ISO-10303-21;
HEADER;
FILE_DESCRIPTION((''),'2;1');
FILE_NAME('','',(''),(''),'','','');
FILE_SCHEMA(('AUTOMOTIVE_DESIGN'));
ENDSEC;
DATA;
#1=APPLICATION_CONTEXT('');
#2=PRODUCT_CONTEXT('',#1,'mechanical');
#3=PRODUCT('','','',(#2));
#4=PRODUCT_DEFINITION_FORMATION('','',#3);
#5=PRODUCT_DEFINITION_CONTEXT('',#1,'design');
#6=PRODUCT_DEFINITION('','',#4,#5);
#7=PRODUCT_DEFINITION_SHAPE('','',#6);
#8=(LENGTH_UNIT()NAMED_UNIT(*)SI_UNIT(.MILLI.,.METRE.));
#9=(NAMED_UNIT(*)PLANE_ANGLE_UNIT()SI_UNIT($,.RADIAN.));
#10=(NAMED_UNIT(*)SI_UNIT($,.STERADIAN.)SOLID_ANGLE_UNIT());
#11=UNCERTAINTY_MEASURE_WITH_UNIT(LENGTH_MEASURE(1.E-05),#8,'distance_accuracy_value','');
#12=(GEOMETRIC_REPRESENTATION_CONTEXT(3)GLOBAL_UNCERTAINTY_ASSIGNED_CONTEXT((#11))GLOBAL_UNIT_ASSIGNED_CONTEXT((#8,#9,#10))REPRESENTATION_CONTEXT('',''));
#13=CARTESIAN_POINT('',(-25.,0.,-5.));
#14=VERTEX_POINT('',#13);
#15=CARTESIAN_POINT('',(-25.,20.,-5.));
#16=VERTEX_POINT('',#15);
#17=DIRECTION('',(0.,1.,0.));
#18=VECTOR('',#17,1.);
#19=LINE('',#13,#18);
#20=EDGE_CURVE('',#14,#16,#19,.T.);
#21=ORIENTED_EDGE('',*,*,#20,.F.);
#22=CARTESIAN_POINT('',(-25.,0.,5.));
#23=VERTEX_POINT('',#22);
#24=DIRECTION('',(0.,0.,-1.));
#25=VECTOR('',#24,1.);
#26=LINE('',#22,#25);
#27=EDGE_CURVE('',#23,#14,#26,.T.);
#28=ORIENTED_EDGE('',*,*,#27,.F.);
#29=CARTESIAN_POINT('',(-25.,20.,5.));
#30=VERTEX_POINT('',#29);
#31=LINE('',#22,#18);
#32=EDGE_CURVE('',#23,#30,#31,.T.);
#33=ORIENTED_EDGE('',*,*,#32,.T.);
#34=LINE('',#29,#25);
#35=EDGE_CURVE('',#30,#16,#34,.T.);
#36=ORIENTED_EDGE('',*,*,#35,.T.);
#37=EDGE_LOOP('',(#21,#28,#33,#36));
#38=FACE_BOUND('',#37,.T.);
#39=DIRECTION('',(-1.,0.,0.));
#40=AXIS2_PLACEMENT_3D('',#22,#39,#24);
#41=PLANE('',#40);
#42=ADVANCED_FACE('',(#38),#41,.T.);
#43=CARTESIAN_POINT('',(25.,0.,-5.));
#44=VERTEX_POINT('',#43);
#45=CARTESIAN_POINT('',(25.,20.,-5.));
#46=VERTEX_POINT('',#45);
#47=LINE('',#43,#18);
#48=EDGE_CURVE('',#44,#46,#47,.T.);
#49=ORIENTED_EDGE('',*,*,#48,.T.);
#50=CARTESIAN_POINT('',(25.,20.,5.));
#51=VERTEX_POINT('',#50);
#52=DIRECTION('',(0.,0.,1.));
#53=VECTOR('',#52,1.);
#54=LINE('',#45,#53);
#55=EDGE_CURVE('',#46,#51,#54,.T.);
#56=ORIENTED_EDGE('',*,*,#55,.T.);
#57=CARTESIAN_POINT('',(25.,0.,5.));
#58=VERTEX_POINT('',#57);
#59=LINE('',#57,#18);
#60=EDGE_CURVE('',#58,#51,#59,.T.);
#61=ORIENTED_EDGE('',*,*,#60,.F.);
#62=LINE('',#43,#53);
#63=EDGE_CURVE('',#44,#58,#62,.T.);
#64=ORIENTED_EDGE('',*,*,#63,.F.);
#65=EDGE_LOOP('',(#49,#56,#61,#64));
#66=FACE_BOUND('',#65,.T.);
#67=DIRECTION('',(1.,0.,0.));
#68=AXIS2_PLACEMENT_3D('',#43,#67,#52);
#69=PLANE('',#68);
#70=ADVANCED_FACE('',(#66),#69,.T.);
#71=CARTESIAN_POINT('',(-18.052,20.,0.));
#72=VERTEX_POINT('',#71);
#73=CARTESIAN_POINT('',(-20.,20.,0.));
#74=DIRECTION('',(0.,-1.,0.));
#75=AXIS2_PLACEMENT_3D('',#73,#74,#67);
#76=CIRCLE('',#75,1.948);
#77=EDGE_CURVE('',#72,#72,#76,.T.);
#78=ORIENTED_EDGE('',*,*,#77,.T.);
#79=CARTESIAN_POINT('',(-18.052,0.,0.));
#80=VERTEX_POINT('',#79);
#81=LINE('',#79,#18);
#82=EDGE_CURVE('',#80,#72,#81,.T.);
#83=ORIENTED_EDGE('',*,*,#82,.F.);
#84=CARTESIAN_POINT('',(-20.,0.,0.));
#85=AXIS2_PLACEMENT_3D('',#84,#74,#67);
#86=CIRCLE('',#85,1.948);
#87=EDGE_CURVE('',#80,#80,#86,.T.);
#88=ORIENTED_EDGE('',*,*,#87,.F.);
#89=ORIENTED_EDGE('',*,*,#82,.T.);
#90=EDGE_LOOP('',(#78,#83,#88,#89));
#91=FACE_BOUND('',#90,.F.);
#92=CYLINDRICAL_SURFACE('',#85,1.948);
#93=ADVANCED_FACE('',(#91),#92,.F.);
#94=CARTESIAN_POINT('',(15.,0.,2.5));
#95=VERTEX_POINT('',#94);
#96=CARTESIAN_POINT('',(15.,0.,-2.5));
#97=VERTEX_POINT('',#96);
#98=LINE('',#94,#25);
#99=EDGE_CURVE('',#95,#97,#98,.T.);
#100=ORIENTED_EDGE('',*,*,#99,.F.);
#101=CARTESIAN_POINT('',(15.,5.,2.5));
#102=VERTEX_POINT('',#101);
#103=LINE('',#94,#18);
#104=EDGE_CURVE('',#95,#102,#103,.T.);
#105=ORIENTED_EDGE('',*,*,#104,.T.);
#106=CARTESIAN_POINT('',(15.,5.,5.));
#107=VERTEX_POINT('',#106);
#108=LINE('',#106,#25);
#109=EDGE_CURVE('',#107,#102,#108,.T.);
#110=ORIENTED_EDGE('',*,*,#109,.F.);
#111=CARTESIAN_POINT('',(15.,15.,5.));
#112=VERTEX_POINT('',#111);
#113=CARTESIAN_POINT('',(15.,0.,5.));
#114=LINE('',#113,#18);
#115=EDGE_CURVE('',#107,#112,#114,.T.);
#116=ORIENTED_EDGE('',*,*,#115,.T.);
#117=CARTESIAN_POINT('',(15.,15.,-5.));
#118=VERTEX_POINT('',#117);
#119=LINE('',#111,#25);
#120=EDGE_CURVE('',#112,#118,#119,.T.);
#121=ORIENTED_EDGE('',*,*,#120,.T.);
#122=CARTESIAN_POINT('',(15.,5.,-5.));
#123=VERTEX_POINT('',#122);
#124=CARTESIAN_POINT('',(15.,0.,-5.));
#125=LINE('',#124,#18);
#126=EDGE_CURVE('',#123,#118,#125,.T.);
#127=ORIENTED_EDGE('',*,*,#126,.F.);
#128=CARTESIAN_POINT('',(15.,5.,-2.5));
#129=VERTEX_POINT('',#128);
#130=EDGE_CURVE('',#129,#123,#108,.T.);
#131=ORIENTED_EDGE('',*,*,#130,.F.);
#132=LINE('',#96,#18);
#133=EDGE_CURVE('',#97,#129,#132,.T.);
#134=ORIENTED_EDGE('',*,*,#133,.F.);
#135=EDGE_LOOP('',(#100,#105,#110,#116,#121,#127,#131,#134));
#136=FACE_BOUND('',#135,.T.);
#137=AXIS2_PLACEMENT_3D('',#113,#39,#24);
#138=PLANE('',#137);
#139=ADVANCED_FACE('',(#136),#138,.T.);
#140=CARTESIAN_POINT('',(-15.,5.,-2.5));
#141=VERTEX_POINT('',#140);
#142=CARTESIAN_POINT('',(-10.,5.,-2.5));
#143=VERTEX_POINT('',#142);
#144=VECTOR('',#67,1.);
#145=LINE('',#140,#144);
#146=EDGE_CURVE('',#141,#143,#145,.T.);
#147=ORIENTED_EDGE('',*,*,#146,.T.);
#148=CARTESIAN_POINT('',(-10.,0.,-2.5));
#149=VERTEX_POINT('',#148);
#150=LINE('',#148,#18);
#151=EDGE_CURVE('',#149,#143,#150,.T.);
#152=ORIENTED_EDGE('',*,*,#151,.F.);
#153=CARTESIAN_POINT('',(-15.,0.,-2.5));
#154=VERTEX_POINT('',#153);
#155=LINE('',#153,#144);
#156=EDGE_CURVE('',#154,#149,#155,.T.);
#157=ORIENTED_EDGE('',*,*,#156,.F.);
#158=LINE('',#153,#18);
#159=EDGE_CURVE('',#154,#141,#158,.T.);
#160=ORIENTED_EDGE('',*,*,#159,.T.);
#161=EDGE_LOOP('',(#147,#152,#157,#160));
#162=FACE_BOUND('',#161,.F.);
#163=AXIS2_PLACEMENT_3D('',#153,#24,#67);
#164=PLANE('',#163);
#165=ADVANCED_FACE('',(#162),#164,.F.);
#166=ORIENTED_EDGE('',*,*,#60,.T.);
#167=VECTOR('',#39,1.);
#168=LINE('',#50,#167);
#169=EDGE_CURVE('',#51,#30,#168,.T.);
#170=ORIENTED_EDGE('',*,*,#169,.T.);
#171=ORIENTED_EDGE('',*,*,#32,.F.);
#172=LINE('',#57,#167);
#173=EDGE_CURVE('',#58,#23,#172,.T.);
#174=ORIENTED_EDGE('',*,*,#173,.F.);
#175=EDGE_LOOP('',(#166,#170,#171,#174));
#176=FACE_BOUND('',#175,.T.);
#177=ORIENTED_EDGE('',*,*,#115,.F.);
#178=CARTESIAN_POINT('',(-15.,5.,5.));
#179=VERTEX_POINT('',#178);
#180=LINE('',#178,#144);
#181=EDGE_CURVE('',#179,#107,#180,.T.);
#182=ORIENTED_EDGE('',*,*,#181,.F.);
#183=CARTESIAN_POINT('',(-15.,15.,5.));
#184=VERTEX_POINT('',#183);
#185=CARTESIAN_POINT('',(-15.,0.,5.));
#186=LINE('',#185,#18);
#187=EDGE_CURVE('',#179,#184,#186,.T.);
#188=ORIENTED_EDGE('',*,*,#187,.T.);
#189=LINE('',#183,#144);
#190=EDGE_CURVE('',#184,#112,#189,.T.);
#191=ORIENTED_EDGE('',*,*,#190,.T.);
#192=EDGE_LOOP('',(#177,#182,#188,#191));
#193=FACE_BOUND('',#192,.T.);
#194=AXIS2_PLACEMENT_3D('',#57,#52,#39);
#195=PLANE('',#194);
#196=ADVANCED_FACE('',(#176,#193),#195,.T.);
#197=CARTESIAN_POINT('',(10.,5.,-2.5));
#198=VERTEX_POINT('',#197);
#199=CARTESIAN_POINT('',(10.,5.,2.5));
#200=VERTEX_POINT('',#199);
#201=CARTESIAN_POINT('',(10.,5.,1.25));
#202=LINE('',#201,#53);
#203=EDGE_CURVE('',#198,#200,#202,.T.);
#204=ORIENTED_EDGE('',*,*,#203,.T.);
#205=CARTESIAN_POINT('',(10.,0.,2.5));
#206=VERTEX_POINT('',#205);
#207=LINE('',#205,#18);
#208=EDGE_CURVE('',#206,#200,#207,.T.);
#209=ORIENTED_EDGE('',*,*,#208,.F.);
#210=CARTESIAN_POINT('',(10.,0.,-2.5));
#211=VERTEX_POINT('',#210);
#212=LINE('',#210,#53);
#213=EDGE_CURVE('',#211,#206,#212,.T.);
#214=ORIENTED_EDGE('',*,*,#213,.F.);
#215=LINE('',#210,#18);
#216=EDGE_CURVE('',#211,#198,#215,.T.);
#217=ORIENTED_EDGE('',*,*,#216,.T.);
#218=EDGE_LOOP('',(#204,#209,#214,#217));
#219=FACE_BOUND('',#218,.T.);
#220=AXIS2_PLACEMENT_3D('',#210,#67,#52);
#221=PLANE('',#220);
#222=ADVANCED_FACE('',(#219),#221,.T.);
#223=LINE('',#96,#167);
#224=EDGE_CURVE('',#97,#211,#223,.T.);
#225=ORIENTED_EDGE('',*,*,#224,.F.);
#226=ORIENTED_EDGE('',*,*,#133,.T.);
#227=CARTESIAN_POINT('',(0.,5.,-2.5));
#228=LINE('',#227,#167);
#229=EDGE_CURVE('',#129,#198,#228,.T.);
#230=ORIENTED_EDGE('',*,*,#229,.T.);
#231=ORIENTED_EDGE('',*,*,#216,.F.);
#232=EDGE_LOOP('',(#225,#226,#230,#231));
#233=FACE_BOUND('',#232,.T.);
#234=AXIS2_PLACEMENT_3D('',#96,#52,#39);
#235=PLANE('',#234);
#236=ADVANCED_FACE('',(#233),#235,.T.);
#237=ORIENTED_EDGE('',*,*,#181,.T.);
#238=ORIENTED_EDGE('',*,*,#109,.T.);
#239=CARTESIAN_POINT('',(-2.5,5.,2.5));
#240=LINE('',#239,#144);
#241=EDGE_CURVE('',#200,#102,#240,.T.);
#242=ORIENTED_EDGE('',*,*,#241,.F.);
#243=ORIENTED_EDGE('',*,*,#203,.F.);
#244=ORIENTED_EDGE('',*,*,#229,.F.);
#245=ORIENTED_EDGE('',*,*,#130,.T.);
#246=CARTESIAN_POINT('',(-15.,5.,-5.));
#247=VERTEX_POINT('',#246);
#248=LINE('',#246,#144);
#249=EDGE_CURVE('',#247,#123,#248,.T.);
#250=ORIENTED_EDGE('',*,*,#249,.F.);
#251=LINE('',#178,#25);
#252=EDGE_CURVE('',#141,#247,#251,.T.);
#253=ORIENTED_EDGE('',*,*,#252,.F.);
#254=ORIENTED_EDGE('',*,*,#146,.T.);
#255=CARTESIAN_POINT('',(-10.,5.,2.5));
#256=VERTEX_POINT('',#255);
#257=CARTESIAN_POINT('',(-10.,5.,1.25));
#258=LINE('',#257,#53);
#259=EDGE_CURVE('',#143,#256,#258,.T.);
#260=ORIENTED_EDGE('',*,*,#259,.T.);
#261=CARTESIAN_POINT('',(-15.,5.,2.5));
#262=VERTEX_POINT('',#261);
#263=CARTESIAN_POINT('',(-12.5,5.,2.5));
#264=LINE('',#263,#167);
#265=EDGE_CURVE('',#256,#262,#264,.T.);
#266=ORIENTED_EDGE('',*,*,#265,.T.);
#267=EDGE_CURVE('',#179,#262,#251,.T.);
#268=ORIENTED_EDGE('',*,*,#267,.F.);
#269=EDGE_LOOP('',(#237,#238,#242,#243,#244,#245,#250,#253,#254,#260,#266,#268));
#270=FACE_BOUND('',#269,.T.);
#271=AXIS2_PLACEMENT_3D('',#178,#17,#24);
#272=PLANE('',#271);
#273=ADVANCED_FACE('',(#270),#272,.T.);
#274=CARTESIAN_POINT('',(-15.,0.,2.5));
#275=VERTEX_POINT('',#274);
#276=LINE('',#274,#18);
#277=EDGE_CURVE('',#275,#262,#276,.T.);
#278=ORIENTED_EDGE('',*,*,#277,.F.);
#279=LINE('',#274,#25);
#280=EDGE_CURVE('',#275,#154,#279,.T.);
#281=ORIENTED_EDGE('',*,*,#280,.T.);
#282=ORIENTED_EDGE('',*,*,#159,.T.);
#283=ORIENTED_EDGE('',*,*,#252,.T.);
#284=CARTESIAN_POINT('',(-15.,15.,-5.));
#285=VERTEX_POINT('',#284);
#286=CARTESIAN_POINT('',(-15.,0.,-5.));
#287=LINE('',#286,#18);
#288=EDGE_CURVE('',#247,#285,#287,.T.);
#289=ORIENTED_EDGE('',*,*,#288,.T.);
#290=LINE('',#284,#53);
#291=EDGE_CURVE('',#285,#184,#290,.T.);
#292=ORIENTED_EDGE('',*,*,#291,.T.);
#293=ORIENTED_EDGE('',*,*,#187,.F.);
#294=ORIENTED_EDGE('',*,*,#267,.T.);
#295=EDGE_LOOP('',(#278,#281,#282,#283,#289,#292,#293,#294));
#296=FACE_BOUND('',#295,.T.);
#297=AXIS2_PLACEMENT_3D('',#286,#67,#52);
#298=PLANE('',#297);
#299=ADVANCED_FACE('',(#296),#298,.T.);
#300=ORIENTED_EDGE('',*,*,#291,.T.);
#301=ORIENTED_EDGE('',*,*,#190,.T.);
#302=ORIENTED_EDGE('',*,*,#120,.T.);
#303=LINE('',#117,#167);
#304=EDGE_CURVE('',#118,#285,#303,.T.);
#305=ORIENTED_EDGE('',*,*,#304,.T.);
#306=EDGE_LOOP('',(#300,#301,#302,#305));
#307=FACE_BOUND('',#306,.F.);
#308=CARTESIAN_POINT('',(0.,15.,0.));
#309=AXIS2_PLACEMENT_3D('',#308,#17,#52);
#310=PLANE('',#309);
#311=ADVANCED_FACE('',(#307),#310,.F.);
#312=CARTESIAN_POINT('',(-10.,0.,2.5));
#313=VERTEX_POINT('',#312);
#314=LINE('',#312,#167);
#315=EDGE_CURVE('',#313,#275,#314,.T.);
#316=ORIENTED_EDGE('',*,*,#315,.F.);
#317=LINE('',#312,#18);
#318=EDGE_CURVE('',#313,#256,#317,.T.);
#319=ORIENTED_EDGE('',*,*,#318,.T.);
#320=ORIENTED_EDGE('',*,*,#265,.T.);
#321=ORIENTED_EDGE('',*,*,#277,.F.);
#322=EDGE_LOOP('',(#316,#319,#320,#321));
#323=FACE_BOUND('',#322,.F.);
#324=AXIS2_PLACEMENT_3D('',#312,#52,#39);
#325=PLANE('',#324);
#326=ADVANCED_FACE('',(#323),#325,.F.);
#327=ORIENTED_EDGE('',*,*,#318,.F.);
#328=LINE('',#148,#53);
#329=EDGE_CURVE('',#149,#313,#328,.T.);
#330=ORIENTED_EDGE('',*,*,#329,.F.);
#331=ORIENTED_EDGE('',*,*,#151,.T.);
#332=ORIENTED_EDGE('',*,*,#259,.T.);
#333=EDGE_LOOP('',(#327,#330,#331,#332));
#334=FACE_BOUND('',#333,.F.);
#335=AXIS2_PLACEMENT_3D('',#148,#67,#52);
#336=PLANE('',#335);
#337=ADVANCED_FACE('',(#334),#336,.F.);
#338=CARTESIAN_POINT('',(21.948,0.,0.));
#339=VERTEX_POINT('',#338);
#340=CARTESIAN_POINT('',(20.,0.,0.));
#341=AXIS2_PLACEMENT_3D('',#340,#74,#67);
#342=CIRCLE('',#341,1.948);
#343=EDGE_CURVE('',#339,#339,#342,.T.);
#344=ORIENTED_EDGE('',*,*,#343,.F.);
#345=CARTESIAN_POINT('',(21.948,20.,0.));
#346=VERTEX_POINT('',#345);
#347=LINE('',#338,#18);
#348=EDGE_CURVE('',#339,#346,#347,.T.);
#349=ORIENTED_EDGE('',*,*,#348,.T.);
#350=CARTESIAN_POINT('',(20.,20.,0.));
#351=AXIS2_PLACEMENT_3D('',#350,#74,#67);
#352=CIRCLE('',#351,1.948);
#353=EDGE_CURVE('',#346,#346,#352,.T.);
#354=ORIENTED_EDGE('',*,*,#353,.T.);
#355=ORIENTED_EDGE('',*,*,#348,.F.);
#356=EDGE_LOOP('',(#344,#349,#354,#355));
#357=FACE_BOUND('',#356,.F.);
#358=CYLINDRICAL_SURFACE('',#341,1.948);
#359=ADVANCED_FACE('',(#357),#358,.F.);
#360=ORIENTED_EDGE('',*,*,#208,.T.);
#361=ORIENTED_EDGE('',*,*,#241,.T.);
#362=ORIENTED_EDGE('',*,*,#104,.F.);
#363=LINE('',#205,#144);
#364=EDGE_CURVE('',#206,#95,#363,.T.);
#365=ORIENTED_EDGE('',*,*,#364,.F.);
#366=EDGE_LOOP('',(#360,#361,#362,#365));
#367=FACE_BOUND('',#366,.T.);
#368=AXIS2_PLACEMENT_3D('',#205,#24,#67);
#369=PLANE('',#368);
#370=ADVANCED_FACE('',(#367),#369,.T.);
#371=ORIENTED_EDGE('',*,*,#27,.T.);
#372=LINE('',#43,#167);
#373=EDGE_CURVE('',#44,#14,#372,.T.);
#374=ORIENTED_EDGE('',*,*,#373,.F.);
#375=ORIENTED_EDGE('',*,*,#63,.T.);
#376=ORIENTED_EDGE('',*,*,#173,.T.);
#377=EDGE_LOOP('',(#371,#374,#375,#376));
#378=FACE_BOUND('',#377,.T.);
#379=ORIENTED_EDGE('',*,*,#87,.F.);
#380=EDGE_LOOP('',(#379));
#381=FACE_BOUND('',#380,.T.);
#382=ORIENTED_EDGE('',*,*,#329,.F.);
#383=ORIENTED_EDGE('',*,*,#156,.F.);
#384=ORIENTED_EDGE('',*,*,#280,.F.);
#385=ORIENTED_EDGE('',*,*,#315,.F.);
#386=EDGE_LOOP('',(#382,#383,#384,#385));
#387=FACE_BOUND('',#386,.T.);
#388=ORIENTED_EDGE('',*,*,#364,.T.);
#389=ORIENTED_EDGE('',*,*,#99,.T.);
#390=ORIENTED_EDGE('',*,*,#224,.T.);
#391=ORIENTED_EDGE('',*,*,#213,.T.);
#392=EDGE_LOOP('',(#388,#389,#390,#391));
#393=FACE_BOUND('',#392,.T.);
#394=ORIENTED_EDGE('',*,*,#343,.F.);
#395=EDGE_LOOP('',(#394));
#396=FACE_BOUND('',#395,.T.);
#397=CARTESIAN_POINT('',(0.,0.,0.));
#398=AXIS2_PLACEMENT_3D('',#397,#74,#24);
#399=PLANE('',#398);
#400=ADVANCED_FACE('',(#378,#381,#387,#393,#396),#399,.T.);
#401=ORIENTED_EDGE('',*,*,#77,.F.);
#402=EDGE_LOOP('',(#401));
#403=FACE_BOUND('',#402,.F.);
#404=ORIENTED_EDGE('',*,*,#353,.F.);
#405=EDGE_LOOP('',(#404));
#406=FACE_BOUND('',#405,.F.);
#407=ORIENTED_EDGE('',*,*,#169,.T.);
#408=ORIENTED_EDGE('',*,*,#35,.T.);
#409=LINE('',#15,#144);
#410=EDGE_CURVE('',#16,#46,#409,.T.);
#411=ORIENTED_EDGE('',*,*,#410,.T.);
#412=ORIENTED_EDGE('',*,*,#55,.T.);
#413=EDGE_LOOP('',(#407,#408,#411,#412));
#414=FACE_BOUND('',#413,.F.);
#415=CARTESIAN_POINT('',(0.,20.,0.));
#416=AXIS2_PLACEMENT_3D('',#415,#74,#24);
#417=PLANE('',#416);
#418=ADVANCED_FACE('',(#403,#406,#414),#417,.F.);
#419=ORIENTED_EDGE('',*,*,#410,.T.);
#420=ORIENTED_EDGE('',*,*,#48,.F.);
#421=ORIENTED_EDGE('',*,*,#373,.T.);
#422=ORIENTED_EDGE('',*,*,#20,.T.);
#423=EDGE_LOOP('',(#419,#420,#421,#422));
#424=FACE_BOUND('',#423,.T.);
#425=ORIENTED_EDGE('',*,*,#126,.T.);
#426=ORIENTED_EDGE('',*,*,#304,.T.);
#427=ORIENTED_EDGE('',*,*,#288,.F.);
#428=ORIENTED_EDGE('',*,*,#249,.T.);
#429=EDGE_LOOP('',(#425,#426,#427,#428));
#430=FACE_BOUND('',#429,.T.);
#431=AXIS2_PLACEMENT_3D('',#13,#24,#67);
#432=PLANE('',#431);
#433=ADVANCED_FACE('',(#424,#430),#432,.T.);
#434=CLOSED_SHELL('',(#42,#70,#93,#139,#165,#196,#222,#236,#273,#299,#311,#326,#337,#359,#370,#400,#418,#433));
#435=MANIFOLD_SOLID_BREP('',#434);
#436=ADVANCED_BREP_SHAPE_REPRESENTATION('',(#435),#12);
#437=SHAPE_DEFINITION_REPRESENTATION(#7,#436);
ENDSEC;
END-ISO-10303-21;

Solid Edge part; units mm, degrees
sketch "Sketch1" plane through (0, 0, 0) normal (0, -1, 0) x (1, 0, 0)
  line L0 (-25, -5) -> (25, -5)
  line L1 (25, -5) -> (25, 5)
  line L2 (25, 5) -> (-25, 5)
  line L3 (-25, 5) -> (-25, -5)
  dimension "D1" = 50
  dimension "D2" = 5
extrude "Protrusion1" add sketch "Sketch1" against normal blind 20
sketch "Sketch2" plane through (0, 0, 0) normal (0, -1, 0) x (1, 0, 0)
  circle A0 centre (-20, 0) radius 1.948
  circle A1 centre (20, 0) radius 1.948
  dimension "D1" = 40
  dimension "D2" = 5
extrude "Cutout1" cut sketch "Sketch2" against normal through all
sketch "Sketch3" plane through (0, 0, 0) normal (0, -1, 0) x (1, 0, 0)
  line L0 (-15, 5) -> (15, 5)
  line L1 (15, 5) -> (15, -5)
  line L2 (15, -5) -> (-15, -5)
  line L3 (-15, -5) -> (-15, 5)
  dimension "D1" = 10
  dimension "D2" = 10
extrude "Extrusionsausschnitt_3" cut sketch "Sketch3" against normal blind 15
sketch "Sketch4" plane through (-15, 7.5, 0) normal (1, 0, 0) x (0, 1, 0)
  line L0 (-7.5, 5) -> (-2.5, 5)
  line L1 (-2.5, 5) -> (-2.5, -5)
  line L2 (-2.5, -5) -> (-7.5, -5)
  line L3 (-7.5, -5) -> (-7.5, 5)
  dimension "D1" = 5
extrude "Extrusionsausprägung_2" add sketch "Sketch4" along normal blind 30
sketch "Sketch5" plane through (0, 0, 0) normal (0, -1, 0) x (1, 0, 0)
  line L0 (-15, -2.5) -> (-10, -2.5)
  line L1 (-10, -2.5) -> (-10, 2.5)
  line L2 (-10, 2.5) -> (-15, 2.5)
  line L3 (-15, 2.5) -> (-15, -2.5)
  line L4 (15, -2.5) -> (10, -2.5)
  line L5 (10, -2.5) -> (10, 2.5)
  line L6 (10, 2.5) -> (15, 2.5)
  line L7 (15, 2.5) -> (15, -2.5)
  dimension "D1" = 5
  dimension "D2" = 5
  dimension "D3" = 5
extrude "Cutout2" cut sketch "Sketch5" against normal up to next
properties material "Nylon, allgemein"
